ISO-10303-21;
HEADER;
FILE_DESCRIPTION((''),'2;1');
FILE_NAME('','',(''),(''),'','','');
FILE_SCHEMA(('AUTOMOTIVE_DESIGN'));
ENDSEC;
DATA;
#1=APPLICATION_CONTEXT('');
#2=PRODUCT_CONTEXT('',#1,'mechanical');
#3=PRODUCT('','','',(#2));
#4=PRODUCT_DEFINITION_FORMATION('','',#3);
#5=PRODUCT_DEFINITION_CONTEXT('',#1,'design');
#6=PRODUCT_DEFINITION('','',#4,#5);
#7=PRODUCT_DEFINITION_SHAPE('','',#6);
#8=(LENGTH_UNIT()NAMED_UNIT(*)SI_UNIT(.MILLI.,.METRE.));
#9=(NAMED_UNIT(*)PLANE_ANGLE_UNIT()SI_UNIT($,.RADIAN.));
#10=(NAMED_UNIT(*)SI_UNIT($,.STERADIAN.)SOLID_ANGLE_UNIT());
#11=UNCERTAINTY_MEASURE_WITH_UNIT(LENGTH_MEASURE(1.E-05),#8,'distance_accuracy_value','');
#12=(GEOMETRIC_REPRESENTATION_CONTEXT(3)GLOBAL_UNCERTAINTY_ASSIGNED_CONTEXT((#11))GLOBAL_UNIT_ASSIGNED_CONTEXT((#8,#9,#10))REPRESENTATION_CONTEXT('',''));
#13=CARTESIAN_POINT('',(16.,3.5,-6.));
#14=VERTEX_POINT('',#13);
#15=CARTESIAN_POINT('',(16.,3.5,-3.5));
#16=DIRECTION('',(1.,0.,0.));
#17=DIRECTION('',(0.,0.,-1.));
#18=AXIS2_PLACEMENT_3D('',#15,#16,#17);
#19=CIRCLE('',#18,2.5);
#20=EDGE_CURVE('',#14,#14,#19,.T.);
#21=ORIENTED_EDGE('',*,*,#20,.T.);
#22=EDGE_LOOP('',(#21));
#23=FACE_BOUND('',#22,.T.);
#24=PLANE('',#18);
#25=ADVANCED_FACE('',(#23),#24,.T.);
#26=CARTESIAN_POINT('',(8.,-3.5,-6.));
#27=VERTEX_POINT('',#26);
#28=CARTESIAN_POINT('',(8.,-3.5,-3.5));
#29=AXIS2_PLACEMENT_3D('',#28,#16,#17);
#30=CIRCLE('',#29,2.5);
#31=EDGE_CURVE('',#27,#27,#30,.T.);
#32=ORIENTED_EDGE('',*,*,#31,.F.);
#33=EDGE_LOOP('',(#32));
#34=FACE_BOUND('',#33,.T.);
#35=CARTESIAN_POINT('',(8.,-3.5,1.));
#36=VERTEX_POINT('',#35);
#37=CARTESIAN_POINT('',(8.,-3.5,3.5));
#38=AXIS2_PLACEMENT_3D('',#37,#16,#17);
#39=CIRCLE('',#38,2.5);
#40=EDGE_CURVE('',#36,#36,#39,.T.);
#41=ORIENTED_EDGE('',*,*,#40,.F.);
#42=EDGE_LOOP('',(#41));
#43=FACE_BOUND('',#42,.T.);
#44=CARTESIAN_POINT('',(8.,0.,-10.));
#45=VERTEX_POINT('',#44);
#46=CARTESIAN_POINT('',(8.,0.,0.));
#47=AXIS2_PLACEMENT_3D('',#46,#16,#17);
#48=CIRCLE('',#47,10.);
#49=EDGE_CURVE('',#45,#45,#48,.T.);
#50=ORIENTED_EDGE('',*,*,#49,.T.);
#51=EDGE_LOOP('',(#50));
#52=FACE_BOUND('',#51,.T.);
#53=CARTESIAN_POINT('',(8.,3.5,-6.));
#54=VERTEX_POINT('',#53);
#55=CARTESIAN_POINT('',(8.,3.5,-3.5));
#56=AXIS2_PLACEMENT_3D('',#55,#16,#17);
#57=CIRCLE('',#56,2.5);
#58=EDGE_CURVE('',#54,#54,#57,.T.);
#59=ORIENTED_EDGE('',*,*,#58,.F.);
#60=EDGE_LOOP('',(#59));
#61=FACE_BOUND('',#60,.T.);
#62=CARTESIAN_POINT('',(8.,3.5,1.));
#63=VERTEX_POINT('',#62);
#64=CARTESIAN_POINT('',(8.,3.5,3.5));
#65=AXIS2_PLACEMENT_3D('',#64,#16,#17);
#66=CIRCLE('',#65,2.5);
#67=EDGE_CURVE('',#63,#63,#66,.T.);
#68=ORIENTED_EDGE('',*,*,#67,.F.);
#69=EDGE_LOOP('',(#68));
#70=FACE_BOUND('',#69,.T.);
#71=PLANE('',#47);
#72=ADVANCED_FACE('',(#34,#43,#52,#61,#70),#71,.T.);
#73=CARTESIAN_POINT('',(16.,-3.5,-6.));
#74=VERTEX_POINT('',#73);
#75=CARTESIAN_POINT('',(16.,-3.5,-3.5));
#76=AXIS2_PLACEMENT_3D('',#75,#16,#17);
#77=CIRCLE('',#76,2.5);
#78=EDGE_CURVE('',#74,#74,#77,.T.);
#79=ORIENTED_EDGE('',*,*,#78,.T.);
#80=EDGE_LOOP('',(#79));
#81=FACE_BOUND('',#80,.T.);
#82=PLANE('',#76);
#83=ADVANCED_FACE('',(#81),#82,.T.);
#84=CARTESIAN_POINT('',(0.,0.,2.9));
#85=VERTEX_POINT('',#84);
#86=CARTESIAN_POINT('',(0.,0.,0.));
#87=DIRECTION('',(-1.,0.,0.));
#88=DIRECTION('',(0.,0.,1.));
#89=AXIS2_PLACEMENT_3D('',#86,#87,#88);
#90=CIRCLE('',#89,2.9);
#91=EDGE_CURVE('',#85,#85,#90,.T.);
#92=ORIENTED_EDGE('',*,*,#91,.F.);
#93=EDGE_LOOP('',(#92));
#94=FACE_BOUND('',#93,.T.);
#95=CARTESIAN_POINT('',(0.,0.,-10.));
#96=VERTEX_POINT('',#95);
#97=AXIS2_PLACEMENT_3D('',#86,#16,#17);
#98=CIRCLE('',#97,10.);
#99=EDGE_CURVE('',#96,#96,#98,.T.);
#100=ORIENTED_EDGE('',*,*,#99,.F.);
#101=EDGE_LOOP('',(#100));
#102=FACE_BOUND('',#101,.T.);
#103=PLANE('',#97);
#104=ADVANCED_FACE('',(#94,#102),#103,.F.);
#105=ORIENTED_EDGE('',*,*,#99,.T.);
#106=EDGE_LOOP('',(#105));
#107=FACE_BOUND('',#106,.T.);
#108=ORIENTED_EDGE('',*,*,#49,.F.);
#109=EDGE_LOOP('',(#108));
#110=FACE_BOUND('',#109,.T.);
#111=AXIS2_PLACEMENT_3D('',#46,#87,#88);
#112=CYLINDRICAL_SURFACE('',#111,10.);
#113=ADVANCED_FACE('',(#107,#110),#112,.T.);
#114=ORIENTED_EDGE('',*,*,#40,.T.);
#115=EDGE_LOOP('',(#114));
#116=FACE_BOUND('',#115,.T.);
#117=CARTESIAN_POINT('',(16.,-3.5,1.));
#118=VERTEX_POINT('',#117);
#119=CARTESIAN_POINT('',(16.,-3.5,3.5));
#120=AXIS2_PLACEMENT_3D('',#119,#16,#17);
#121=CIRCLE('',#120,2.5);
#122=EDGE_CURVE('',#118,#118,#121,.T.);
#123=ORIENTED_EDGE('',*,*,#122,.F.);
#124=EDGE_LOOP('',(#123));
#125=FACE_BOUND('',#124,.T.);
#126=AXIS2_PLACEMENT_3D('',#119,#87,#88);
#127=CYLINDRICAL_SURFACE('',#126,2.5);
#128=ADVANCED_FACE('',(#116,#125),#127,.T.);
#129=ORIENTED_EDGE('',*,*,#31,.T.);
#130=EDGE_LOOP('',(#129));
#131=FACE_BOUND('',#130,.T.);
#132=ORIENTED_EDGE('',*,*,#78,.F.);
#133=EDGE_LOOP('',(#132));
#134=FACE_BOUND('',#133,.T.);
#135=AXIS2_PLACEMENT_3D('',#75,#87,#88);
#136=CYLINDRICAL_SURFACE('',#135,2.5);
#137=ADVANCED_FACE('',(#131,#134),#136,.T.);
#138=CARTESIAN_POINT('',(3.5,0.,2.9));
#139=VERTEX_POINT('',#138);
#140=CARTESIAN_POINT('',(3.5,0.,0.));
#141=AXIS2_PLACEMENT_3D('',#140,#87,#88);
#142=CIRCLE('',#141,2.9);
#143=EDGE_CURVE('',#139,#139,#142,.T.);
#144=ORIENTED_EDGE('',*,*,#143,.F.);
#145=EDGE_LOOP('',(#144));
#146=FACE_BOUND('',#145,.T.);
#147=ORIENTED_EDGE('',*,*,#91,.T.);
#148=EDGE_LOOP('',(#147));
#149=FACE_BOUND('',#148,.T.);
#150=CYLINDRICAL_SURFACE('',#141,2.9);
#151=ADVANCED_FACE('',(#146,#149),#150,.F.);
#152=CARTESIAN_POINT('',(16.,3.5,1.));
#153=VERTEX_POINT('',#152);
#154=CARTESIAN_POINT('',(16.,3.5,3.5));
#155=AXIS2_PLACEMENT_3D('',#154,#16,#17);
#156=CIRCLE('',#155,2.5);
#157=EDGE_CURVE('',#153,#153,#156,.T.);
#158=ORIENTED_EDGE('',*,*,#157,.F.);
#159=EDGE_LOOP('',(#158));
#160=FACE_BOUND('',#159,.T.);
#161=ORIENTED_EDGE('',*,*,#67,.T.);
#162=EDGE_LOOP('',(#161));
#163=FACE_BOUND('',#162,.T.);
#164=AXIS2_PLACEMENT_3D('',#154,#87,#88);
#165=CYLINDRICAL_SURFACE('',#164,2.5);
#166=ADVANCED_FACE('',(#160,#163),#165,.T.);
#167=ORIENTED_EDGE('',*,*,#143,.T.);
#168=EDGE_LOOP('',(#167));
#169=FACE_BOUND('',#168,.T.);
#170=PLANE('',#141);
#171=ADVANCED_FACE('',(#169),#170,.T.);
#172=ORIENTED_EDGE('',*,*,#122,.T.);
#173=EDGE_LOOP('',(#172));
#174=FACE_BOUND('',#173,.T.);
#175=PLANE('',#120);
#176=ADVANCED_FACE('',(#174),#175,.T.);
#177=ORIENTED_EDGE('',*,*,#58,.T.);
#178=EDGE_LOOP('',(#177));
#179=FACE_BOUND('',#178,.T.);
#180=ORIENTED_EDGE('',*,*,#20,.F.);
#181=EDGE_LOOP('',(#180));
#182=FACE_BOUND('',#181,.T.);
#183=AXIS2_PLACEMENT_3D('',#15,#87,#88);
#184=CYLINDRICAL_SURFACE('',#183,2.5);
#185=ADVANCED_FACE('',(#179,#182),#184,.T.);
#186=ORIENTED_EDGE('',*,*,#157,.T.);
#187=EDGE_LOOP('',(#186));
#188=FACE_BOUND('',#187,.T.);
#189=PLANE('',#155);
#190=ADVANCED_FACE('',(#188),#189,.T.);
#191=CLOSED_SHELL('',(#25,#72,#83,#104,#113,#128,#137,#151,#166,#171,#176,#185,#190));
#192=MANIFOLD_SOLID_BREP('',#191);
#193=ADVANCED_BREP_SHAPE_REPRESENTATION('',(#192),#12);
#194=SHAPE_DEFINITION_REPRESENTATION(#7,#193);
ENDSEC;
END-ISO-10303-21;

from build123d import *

# Parameters (mm, degrees)
SKETCH_1_R          = 10
EXTRUDE_1_DEPTH     = 8
SKETCH_2_R          = 2.5
EXTRUDE_2_DEPTH     = 8
SKETCH_3_R          = 2.9
CUT_EXTRUDE_1_DEPTH = 3.5


with BuildPart() as part:
    # Эскиз1 → Бобышка-Вытянуть1 (new body)
    with BuildSketch(Plane(origin=(0, 0, 0), x_dir=(0, 0, -1), z_dir=(1, 0, 0))):
        Circle(SKETCH_1_R)
    extrude(amount=EXTRUDE_1_DEPTH)

    # Эскиз2 → Бобышка-Вытянуть2 (add)
    with BuildSketch(Plane(origin=(8, 0, 0), x_dir=(0, 0, -1), z_dir=(1, 0, 0))):
        with Locations((-3.5, 3.5)):
            Circle(SKETCH_2_R)
        with Locations((3.5, 3.5)):
            Circle(SKETCH_2_R)
        with Locations((-3.5, -3.5)):
            Circle(SKETCH_2_R)
        with Locations((3.5, -3.5)):
            Circle(SKETCH_2_R)
    extrude(amount=EXTRUDE_2_DEPTH)

    # Эскиз3 → Вырез-Вытянуть1 (cut)
    with BuildSketch(Plane.ZY):
        Circle(SKETCH_3_R)
    extrude(amount=-CUT_EXTRUDE_1_DEPTH, mode=Mode.SUBTRACT)


solid = part.part
